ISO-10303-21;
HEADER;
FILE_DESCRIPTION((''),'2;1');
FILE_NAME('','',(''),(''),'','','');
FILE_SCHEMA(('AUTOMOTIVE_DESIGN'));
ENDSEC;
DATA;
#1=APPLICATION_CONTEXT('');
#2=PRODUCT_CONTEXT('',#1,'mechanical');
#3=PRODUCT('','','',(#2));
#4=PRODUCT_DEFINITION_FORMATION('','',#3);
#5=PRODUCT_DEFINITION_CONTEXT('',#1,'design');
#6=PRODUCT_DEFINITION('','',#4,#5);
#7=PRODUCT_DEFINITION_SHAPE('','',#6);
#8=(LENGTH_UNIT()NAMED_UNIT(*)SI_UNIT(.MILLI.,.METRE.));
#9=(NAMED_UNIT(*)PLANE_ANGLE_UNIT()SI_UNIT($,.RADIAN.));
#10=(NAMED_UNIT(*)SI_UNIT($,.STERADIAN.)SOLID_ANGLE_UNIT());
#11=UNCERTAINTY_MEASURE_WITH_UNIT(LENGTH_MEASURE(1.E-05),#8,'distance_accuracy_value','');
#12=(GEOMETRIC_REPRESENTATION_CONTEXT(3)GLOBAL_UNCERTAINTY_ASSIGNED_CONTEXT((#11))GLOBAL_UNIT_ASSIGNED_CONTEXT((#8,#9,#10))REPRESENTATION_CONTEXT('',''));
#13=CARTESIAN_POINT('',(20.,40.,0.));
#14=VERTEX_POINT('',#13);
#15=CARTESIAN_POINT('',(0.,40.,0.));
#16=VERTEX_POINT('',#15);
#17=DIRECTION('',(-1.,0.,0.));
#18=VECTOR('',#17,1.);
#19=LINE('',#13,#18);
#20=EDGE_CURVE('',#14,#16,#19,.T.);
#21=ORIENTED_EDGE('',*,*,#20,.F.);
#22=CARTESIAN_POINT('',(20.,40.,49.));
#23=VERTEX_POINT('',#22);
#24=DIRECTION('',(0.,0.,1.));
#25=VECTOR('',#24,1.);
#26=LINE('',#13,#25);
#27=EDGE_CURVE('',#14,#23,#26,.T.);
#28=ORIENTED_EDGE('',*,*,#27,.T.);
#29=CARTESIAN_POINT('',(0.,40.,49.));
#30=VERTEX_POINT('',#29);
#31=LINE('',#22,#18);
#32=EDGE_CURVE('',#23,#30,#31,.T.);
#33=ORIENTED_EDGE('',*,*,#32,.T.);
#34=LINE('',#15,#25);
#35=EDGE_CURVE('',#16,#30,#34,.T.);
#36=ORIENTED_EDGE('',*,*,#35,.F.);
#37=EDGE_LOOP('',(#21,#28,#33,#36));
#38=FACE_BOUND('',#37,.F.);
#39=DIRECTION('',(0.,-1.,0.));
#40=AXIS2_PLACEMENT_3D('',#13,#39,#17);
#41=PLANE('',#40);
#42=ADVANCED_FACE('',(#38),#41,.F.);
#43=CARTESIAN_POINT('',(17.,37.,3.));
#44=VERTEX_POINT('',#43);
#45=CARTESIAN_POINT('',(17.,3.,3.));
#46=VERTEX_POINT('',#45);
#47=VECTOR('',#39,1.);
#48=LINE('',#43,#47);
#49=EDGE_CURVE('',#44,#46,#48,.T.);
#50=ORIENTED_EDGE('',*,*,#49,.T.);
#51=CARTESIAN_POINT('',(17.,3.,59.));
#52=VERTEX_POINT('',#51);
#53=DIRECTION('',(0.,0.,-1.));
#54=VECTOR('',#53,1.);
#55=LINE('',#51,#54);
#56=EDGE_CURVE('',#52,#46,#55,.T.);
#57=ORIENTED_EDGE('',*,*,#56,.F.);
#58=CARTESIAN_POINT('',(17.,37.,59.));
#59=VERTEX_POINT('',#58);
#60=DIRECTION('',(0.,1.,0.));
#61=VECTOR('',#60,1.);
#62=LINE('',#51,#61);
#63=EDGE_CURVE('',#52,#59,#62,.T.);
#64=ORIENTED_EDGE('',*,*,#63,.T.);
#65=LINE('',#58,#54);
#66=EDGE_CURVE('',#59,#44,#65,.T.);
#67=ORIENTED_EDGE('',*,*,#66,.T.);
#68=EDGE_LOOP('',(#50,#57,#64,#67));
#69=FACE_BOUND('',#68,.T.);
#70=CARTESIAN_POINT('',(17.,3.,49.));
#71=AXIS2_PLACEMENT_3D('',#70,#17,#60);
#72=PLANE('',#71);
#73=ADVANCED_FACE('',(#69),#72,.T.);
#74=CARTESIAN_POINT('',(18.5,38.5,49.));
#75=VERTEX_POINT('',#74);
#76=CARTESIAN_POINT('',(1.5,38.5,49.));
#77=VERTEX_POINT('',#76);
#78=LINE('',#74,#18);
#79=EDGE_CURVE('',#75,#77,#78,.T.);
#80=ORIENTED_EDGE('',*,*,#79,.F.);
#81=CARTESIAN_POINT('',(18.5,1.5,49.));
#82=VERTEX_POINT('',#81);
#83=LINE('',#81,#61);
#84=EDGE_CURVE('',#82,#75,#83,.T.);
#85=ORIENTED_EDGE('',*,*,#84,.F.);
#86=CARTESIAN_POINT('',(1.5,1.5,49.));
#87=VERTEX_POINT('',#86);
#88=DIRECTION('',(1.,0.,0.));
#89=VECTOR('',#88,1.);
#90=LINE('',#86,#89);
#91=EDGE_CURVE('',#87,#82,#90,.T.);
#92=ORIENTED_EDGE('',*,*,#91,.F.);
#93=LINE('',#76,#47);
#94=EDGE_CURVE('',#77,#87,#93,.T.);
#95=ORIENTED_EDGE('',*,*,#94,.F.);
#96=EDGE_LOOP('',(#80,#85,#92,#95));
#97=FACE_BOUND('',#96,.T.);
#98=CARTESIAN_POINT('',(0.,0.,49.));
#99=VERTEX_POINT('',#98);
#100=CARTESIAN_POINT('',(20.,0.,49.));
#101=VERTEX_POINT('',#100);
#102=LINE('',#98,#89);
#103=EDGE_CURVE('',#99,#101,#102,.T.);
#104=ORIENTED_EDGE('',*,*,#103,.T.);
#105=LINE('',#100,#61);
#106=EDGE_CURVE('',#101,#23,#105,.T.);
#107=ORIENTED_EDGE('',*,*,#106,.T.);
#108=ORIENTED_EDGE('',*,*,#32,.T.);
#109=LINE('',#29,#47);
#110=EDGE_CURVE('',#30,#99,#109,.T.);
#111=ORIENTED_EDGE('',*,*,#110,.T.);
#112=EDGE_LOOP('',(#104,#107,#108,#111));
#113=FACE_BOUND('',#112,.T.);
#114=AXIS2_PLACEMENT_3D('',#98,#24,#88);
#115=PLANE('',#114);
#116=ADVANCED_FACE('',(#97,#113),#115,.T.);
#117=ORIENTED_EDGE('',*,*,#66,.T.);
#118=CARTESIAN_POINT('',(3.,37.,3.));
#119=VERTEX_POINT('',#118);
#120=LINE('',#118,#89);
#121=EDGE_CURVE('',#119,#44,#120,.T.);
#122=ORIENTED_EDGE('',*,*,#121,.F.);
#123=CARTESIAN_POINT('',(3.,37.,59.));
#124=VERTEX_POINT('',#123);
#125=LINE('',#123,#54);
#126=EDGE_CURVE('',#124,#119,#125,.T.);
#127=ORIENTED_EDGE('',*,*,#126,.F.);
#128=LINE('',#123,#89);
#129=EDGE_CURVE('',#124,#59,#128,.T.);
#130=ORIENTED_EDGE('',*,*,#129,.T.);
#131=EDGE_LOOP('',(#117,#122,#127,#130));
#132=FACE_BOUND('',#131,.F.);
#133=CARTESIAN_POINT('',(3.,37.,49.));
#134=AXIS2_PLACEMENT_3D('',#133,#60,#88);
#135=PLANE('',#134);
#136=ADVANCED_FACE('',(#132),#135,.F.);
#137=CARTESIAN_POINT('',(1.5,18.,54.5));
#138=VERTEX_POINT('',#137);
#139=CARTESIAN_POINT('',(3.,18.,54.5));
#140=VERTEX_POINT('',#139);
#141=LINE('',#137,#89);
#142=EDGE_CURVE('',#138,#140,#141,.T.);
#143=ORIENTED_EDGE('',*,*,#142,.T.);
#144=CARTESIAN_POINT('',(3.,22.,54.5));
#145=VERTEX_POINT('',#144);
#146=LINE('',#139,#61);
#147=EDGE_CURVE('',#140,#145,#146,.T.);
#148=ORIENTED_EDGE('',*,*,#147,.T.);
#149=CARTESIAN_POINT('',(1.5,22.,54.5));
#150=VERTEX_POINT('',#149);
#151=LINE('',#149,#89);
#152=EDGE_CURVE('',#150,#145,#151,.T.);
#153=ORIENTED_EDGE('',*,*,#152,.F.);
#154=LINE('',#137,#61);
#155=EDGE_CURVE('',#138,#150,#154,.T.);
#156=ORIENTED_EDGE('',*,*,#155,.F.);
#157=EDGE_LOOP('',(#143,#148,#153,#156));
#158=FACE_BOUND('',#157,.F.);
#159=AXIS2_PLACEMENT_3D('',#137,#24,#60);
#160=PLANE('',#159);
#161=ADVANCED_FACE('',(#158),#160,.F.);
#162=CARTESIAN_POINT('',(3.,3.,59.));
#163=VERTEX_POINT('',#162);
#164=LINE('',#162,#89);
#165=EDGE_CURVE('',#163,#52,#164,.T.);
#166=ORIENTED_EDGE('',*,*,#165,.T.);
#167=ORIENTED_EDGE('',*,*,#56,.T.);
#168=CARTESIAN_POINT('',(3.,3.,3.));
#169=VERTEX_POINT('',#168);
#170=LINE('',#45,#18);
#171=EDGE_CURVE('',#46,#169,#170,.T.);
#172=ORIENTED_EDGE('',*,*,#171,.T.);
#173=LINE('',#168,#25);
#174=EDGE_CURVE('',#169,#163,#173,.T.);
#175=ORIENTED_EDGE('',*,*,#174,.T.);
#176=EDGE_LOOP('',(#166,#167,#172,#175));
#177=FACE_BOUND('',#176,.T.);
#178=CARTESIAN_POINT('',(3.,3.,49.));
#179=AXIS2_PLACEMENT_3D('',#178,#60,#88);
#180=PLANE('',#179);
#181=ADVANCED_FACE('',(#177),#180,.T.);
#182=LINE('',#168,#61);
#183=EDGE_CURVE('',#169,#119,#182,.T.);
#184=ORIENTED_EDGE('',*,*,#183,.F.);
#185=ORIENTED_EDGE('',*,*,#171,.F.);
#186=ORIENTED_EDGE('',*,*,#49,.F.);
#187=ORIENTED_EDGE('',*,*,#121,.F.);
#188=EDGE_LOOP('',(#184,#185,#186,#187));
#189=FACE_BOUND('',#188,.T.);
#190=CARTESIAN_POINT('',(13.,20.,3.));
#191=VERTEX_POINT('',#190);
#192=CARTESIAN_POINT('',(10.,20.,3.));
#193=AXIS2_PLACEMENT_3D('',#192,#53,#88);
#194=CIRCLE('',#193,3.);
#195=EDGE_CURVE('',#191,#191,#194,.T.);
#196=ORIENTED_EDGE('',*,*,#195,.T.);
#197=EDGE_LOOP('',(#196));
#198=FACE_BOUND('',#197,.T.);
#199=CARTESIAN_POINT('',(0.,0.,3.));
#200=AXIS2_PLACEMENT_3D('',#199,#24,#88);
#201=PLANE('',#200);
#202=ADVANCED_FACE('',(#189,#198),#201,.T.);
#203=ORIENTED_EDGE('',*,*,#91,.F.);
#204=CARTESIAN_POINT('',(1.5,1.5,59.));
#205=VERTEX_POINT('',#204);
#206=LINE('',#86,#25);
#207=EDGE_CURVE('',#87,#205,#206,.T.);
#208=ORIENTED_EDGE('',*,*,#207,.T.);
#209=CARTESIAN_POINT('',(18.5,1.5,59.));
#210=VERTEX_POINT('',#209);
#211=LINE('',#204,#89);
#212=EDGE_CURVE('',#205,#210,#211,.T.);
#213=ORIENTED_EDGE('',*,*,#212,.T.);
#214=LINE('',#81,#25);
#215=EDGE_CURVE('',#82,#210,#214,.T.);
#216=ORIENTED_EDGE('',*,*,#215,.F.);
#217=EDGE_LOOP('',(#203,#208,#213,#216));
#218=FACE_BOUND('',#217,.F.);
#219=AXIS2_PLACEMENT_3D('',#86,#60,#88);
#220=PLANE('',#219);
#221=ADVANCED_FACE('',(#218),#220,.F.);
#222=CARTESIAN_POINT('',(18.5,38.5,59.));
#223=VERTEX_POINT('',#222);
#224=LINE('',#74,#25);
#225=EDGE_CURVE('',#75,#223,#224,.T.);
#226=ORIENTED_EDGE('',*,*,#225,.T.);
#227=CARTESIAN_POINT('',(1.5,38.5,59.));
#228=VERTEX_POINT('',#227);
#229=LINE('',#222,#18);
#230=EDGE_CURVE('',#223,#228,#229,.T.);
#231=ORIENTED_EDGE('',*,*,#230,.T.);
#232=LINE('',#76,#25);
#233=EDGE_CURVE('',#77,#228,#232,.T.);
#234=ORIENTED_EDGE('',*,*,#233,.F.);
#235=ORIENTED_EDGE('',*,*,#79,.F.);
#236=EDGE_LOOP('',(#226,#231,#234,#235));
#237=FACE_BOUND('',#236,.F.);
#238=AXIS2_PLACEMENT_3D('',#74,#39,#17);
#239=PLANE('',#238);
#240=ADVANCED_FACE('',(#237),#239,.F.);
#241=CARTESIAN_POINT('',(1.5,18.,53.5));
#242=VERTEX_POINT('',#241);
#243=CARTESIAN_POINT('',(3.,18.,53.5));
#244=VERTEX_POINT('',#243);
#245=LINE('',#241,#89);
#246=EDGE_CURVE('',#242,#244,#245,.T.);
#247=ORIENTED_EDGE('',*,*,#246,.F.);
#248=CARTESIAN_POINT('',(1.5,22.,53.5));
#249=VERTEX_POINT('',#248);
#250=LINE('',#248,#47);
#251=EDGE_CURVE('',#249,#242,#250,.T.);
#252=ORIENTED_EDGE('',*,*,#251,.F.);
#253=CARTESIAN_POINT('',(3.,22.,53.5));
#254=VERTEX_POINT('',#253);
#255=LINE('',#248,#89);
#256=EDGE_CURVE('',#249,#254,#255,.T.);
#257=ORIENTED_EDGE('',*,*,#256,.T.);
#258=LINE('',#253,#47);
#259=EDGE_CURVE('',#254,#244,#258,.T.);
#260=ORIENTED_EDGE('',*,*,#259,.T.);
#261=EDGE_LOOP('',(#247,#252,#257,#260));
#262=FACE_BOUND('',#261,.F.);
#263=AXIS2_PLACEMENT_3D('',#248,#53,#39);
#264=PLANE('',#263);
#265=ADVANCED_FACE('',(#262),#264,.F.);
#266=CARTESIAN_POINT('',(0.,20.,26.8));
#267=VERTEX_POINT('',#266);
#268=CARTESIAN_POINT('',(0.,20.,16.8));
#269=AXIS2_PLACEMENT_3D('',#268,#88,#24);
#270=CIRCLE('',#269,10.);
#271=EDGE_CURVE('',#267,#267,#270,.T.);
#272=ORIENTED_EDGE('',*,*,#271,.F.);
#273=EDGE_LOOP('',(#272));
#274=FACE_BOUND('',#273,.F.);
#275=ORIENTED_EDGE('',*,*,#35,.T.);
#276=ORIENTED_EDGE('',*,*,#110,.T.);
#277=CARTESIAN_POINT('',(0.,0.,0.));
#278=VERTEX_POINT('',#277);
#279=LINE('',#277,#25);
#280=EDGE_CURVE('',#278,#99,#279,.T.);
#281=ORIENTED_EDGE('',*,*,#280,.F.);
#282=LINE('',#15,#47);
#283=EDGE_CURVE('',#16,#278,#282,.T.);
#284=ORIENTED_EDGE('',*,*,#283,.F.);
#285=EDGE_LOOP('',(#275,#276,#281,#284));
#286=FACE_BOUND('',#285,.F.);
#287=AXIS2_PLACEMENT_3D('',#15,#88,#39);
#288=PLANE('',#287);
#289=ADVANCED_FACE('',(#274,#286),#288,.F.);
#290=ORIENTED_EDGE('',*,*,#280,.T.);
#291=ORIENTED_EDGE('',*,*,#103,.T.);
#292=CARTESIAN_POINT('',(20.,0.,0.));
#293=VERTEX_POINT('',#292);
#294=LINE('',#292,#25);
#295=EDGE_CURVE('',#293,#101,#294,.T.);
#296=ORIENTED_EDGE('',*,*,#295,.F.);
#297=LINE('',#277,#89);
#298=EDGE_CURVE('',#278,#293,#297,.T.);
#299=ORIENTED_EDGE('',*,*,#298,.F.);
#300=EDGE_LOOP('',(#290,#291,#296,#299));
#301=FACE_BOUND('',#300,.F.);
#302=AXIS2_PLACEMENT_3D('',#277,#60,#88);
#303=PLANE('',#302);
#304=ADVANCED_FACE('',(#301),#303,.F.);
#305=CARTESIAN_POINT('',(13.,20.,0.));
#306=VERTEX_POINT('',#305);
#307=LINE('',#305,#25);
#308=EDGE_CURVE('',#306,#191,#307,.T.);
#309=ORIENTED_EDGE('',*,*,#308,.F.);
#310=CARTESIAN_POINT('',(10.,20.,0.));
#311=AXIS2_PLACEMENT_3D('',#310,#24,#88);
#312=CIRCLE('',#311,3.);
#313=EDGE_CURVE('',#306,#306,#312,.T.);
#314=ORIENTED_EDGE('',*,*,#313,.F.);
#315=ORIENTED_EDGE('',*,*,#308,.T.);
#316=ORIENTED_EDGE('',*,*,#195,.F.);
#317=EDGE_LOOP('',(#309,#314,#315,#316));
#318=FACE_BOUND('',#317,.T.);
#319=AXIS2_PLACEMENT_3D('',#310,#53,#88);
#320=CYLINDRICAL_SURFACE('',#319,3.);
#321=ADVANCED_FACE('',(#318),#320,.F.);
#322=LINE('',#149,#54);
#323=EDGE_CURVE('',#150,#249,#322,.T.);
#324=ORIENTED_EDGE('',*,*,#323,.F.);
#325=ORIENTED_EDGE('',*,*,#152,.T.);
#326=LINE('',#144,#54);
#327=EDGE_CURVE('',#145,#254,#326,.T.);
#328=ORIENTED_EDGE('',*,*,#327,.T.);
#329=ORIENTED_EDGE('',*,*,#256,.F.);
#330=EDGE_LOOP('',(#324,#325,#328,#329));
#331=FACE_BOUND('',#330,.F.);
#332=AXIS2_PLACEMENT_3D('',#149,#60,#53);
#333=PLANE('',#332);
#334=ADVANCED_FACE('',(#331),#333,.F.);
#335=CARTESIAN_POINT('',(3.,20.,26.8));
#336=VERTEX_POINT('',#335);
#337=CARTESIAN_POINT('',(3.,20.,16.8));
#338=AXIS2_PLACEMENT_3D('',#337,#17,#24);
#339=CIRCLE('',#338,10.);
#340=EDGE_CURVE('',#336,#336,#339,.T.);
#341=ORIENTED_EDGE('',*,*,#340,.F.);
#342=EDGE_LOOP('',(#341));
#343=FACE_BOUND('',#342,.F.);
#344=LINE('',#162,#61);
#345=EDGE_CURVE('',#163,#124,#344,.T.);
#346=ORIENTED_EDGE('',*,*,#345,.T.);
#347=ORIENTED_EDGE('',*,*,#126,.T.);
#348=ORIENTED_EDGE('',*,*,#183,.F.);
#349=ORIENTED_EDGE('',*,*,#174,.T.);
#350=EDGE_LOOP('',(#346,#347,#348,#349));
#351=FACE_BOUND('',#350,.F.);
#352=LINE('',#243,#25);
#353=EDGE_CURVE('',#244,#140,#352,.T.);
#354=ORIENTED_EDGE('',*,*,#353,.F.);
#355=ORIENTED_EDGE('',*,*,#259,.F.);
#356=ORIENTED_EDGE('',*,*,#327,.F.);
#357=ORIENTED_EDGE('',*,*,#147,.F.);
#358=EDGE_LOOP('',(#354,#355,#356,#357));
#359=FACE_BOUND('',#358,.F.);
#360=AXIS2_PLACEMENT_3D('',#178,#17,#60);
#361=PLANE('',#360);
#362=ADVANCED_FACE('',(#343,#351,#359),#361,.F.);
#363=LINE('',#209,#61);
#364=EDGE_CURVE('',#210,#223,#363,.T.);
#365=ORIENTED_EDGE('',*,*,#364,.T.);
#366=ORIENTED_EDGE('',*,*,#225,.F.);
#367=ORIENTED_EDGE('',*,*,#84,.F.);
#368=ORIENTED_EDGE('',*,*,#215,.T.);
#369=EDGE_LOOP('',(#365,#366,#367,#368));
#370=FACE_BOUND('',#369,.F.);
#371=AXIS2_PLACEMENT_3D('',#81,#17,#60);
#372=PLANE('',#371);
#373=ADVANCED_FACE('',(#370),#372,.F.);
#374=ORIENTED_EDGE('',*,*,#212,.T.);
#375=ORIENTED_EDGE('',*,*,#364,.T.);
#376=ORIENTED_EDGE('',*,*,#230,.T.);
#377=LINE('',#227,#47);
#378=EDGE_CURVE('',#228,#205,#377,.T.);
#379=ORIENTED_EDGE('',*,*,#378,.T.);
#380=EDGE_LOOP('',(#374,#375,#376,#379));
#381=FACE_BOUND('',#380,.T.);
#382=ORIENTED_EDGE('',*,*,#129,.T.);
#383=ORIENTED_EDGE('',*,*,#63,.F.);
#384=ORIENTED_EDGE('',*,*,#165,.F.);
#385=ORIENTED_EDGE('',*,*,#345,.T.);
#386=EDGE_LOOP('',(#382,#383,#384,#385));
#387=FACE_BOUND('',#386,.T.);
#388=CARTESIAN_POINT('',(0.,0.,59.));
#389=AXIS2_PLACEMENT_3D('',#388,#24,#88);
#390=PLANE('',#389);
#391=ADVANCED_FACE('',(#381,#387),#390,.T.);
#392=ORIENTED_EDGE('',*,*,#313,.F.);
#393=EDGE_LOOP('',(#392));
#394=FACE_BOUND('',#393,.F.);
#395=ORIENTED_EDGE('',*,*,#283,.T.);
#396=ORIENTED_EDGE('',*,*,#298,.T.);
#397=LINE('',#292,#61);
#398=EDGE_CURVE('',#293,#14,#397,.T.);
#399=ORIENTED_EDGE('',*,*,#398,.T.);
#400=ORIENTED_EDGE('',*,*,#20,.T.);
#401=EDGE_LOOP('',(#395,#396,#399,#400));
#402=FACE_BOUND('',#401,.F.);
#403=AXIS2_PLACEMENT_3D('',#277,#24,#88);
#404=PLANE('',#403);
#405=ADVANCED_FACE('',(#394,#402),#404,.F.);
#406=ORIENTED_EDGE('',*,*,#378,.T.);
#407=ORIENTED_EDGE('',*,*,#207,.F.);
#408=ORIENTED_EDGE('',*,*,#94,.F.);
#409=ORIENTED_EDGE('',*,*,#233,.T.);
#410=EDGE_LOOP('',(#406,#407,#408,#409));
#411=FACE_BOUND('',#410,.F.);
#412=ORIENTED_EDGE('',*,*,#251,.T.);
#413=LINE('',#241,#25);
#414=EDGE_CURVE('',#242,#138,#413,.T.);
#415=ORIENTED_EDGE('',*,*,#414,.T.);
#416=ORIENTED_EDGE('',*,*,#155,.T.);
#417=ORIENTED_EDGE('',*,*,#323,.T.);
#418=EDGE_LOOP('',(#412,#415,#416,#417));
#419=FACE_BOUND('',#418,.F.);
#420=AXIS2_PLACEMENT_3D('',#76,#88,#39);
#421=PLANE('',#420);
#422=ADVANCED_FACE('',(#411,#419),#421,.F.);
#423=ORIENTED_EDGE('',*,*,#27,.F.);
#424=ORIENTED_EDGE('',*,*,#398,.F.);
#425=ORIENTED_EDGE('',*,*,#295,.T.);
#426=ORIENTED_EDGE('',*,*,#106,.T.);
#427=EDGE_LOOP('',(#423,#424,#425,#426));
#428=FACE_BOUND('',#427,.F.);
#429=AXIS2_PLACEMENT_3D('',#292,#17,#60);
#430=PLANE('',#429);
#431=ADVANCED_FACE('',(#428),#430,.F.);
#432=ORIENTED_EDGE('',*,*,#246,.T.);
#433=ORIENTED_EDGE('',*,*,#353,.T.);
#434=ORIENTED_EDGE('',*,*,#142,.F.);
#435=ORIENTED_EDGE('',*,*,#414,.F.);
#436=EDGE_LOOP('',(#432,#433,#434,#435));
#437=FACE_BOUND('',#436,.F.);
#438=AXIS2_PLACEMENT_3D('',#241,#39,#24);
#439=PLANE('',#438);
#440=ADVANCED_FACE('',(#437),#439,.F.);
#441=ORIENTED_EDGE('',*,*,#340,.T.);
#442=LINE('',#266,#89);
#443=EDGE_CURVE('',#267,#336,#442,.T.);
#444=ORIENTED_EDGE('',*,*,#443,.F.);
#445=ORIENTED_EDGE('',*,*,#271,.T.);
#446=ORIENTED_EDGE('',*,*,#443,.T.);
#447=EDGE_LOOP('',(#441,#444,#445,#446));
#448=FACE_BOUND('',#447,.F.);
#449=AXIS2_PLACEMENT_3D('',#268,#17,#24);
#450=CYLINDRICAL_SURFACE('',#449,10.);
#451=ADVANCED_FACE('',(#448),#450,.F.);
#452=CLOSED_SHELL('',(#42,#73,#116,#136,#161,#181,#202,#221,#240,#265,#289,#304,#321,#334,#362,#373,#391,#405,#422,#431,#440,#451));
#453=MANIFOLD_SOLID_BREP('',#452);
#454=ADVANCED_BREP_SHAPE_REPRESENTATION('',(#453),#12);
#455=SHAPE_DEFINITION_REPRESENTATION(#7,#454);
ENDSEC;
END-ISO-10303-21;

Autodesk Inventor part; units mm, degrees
ref_plane "YZ Plane" through (0, 0, 0) normal (1, 0, 0) x (0, 1, 0)
ref_plane "XZ Plane" through (0, 0, 0) normal (0, 1, 0) x (-1, 0, 0)
ref_plane "XY Plane" through (0, 0, 0) normal (0, 0, 1) x (1, 0, 0)
sketch "Szkic1" plane through (0, 0, 0) normal (0, 0, 1) x (1, 0, 0)
  line L0 (0, 0) -> (20, 0)
  line L1 (20, 0) -> (20, 40)
  line L2 (20, 40) -> (0, 40)
  line L3 (0, 40) -> (0, 0)
  circle A0 centre (10, 20) radius 3
  dimension "d0" = 20
  dimension "d1" = 40
  dimension "d2" = 6
extrude "Wyciągnięcie proste1" add sketch "Szkic1" along normal blind 49
sketch "Szkic2" plane through (0, 0, 49) normal (0, 0, 1) x (1, 0, 0)
  line L0 (3, 37) -> (17, 37)
  line L1 (17, 37) -> (17, 3)
  line L2 (17, 3) -> (3, 3)
  line L3 (3, 3) -> (3, 37)
  line L4 (0, 0) -> (20, 0) projected
  line L5 (20, 40) -> (0, 40) projected
  line L6 (0, 40) -> (0, 0) projected
  line L7 (20, 0) -> (20, 40) projected
  dimension "d5" = 14
  dimension "d6" = 34
  dimension "d7" = 3
  dimension "d8" = 3
  dimension "d9" = 3
  dimension "d10" = 3
extrude "Wyciągnięcie proste2" cut sketch "Szkic2" against normal blind 46 contours L0 L1 L2 L3
sketch "Szkic3" plane through (0, 0, 49) normal (0, 0, 1) x (1, 0, 0)
  line L0 (3, 3) -> (3, 37) projected
  line L1 (3, 37) -> (17, 37) projected
  line L2 (3, 3) -> (17, 3)
  line L3 (17, 3) -> (17, 37)
  line L4 (17, 37) -> (3, 37)
  line L5 (3, 37) -> (3, 3)
  line L6 (17, 3) -> (3, 3) construction
  line L7 (3, 3) -> (3, 1.5) construction
  line L8 (3, 1.5) -> (1.5, 1.5) construction
  line L9 (1.5, 1.5) -> (18.5, 1.5)
  line L10 (18.5, 1.5) -> (18.5, 38.5)
  line L11 (18.5, 38.5) -> (1.5, 38.5)
  line L12 (1.5, 38.5) -> (1.5, 1.5)
  point P0 (0, 0)
  dimension "d13" = 1.5
  dimension "d14" = 1.5
  dimension "d15" = 34
  dimension "d16" = 14
  dimension "d17" = 17
  dimension "d18" = 37
extrude "Wyciągnięcie proste3" add sketch "Szkic3" along normal blind 10
sketch "Szkic4" plane through (0, 0, 0) normal (-1, 0, 0) x (0, 0, 1)
  line L0 (0, 0) -> (0, 20)
  line L1 (0, 0) -> (0, 40) projected
  line L2 (0, 20) -> (16.8, 20)
  circle A0 centre (16.8, 20) radius 10
  dimension "d21" = 16.8
  dimension "d22" = 20
extrude "Wyciągnięcie proste4" cut sketch "Szkic4" against normal up to surface (3 mm away)
sketch "Szkic5" plane through (1.5, 1.5, 49) normal (-1, 0, 0) x (0, 0, 1)
  line L0 (0, 0) -> (10, 0) construction
  line L1 (0, 37) -> (10, 37) construction
  line L2 (10, 0) -> (0, 37) construction
  line L3 (0, 37) -> (10, 37) construction
  line L4 (10, 37) -> (0, 0) construction
  line L5 (0, 38.5) -> (0, -1.5) construction
  line L6 (5.5, 20.5) -> (4.5, 20.5)
  line L7 (4.5, 20.5) -> (4.5, 16.5)
  line L8 (4.5, 16.5) -> (5.5, 16.5)
  line L9 (5.5, 16.5) -> (5.5, 20.5)
  line L10 (5.5, 20.5) -> (4.5, 16.5) construction
  line L11 (4.5, 20.5) -> (5.5, 16.5) construction
  point P0 (-49, -1.5)
  point P1 (5, 18.5)
  dimension "d25" = 1
  dimension "d26" = 4
  dimension "d29" = 4.5
extrude "Wyciągnięcie proste5" cut sketch "Szkic5" against normal up to surface (1.5 mm away)
equation "\"d7\" = d8"
equation "\"d9\" = d10"
equation "\"d14\" = d13"
equation "\"d17\" = d16 + 2 * d14"
equation "\"d18\" = d15 + 2 * d14"
properties part number "obudowa_latarka"
